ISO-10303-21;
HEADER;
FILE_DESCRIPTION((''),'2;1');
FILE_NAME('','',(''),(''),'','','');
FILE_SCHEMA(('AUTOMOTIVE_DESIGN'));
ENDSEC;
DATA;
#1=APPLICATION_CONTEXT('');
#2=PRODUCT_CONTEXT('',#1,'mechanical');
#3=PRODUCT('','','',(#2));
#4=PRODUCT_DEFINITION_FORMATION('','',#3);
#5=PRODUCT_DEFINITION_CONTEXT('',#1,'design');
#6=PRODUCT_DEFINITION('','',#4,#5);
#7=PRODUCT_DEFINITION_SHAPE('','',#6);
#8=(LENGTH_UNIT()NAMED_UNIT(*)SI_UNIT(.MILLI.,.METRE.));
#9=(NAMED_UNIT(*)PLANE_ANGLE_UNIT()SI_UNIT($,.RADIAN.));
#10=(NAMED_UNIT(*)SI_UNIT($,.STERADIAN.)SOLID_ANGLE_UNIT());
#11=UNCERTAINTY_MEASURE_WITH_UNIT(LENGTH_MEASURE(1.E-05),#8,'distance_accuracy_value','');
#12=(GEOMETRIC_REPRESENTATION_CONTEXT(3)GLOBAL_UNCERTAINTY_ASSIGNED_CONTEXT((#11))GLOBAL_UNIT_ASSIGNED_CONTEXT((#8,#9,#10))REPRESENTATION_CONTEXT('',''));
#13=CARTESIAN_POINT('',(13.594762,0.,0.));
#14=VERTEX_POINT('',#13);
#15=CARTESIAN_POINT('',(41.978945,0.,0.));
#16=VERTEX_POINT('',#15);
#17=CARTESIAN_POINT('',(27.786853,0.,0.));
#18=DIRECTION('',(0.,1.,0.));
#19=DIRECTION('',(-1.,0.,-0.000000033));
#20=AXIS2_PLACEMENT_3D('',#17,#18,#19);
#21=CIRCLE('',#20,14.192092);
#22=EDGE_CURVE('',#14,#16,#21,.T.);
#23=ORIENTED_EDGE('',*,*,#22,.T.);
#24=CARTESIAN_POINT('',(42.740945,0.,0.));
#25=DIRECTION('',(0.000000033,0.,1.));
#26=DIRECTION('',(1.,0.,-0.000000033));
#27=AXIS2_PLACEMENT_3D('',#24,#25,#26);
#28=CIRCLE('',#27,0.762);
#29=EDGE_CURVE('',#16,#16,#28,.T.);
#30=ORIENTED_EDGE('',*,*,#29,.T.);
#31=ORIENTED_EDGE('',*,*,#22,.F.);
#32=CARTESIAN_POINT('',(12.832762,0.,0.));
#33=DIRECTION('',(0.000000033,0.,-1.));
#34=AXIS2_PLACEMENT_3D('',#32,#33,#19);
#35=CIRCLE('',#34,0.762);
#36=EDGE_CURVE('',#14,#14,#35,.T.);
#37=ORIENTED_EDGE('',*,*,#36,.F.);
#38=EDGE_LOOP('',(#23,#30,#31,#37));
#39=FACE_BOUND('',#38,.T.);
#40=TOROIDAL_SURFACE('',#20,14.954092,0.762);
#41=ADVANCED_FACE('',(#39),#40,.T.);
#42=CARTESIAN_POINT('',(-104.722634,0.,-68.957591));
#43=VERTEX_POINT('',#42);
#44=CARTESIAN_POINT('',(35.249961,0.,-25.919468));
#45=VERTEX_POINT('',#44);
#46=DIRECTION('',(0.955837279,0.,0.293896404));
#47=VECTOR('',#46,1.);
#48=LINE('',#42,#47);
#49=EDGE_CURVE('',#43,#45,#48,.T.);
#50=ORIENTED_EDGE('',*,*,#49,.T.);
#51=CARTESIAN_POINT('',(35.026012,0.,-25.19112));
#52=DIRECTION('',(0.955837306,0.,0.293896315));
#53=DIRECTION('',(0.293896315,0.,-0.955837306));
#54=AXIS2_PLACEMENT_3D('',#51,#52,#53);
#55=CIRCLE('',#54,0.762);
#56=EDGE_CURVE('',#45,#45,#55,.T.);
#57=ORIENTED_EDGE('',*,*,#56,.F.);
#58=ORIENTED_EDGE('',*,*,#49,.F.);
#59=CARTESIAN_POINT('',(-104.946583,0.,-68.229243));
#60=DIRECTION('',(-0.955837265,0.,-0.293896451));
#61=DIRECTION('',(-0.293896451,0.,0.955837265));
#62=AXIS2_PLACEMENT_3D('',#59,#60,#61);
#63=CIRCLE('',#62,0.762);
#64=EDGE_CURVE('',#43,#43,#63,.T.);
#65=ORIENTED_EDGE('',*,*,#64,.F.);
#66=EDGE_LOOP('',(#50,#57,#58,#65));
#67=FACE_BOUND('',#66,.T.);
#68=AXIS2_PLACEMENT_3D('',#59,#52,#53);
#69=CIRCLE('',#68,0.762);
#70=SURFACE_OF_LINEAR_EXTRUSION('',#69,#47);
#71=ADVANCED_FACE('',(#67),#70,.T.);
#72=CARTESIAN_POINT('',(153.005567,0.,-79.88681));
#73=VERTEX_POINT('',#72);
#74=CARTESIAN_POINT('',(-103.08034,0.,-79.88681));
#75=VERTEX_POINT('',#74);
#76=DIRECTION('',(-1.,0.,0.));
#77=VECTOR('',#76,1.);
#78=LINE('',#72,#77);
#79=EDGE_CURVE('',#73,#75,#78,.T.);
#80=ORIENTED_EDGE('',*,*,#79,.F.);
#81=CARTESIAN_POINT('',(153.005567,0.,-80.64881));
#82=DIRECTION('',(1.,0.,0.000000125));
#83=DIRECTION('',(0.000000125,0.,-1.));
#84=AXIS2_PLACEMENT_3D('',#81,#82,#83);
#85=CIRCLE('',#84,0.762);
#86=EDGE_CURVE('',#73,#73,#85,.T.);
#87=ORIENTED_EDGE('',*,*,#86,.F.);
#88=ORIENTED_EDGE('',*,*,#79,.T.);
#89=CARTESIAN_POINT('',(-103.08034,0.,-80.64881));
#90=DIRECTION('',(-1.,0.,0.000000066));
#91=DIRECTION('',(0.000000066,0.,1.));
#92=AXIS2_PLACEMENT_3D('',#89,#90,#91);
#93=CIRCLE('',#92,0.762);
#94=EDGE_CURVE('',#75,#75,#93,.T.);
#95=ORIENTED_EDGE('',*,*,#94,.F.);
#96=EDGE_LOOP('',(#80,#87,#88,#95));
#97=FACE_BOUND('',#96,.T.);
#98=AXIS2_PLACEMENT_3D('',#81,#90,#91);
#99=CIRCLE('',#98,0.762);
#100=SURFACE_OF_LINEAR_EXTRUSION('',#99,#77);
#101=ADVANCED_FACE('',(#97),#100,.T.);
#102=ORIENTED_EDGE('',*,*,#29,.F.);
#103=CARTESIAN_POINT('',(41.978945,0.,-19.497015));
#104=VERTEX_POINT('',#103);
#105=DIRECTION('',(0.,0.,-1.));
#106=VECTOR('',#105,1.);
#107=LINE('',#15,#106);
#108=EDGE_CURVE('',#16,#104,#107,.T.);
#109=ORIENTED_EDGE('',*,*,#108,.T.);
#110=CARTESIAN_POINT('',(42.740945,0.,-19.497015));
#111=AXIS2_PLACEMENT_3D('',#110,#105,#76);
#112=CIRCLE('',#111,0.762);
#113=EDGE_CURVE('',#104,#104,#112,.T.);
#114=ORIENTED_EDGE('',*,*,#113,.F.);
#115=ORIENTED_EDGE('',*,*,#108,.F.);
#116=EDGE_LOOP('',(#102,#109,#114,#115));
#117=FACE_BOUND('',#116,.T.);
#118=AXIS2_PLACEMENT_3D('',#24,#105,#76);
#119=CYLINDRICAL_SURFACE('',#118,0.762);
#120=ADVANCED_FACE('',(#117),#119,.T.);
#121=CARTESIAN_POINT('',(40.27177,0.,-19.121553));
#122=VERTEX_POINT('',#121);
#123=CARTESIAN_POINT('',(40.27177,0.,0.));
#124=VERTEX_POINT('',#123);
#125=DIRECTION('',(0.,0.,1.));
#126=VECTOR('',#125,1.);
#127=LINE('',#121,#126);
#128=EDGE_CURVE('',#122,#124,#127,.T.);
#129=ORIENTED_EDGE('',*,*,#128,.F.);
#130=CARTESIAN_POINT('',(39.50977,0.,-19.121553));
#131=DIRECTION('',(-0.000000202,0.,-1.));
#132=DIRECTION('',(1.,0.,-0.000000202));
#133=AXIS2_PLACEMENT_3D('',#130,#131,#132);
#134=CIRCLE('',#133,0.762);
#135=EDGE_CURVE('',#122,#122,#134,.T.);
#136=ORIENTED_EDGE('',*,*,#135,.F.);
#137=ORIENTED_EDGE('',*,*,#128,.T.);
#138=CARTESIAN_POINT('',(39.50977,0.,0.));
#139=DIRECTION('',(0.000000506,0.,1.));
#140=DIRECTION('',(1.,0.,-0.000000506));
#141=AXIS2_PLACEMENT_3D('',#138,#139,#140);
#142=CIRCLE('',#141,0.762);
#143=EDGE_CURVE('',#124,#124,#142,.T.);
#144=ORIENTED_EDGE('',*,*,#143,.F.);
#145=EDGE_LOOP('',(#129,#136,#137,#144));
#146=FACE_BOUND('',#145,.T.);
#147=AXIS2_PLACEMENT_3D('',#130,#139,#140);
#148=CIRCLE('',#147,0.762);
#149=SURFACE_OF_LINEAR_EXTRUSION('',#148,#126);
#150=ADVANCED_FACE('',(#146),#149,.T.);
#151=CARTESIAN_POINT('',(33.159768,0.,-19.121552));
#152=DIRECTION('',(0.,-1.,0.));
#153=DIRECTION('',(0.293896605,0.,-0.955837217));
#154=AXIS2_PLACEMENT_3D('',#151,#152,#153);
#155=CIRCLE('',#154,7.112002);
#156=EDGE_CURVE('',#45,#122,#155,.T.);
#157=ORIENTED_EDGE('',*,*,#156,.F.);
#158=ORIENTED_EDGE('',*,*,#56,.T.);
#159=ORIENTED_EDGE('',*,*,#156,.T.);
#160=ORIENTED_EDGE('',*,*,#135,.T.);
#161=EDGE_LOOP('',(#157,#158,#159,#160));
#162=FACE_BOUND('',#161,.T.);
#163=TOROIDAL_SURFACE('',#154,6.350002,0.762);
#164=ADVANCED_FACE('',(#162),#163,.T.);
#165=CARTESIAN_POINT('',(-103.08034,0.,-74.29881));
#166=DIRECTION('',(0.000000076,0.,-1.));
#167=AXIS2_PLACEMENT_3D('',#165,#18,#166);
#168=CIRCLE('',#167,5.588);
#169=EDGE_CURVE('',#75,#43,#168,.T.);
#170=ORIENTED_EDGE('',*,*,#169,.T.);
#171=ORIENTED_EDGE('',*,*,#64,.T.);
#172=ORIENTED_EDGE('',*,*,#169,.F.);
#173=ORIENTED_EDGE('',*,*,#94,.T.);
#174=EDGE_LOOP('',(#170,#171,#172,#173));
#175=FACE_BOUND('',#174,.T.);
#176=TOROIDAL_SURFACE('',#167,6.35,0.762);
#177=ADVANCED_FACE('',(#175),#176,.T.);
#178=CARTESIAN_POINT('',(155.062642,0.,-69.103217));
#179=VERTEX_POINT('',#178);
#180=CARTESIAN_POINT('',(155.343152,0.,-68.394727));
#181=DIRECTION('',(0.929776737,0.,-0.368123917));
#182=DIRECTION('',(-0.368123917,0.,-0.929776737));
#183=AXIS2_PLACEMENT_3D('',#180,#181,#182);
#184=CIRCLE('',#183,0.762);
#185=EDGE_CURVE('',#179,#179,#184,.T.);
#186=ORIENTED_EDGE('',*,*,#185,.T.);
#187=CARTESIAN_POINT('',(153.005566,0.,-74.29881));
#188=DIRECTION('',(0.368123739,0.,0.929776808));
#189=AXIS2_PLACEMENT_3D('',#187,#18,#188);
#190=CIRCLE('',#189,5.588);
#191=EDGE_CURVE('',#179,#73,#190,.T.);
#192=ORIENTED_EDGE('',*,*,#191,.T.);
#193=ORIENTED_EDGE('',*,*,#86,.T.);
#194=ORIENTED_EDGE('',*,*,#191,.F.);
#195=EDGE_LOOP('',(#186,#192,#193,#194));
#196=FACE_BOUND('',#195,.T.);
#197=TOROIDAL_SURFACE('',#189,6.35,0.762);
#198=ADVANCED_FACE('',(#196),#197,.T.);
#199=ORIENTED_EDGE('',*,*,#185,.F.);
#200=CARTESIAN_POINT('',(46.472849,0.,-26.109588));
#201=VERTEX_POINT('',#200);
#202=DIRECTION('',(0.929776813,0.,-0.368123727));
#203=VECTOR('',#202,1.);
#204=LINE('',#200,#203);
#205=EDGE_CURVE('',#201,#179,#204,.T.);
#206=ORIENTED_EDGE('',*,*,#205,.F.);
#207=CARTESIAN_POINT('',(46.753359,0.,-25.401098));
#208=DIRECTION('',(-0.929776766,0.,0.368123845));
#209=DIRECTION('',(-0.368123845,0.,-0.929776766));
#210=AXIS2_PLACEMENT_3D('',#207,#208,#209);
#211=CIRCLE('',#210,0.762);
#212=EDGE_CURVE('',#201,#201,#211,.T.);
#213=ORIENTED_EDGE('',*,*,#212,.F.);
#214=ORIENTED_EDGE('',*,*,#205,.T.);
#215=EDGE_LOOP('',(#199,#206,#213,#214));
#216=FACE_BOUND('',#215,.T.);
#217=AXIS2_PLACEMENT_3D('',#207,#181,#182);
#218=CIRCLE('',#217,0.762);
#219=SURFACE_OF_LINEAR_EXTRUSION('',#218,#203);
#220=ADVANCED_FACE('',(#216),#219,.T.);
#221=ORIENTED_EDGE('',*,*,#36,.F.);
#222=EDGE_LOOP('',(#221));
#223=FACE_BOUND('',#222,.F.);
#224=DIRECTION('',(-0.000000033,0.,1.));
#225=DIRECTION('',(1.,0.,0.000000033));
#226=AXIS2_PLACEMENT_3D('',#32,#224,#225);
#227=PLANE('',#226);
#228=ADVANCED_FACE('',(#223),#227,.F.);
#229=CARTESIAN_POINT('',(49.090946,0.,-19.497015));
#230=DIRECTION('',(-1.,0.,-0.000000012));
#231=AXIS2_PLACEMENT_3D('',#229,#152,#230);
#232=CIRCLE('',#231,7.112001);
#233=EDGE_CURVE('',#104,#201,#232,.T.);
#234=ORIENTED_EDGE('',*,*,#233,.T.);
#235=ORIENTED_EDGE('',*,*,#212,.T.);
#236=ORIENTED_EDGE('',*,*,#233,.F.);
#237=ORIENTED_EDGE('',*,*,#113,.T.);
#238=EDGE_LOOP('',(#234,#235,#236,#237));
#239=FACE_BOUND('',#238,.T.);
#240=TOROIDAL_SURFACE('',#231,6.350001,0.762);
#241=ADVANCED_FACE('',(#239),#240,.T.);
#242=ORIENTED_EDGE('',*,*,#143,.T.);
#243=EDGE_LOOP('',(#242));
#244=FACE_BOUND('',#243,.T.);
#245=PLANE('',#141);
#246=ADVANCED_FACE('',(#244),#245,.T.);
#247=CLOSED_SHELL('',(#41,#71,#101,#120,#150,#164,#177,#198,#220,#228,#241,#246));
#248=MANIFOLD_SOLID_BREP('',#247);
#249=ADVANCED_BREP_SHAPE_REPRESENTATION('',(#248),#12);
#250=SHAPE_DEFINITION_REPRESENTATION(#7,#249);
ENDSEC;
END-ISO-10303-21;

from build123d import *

# Parameters (mm, degrees)
F1_R = 0.762


with BuildPart() as f2:
    # F2: sweep along a path in F0
    with BuildLine(Plane.XZ) as f2_path:
        ThreePointArc((12.832762, 0), (27.786853, 14.954092), (42.740945, 0))
        Line((42.740945, 0), (42.740945, -19.497015))
        ThreePointArc((42.740945, -19.497015), (43.838985, -23.066247), (46.753359, -25.401098))
        Line((46.753359, -25.401098), (155.343152, -68.394727))
        ThreePointArc((155.343152, -68.394727), (159.243091, -75.488678), (153.005567, -80.64881))
        Line((153.005567, -80.64881), (-103.08034, -80.64881))
        ThreePointArc((-103.08034, -80.64881), (-109.359841, -75.242407), (-104.946583, -68.229243))
        Line((-104.946583, -68.229243), (35.026012, -25.19112))
        ThreePointArc((35.026012, -25.19112), (38.267271, -22.894606), (39.50977, -19.121553))
        Line((39.50977, -19.121553), (39.50977, 0))
    # F1 (on Top) → F2 (sweep)
    with BuildSketch(Plane.XY):
        with Locations((12.832762, 0)):
            Circle(F1_R)
    sweep(path=f2_path.line)


solid = f2.part
